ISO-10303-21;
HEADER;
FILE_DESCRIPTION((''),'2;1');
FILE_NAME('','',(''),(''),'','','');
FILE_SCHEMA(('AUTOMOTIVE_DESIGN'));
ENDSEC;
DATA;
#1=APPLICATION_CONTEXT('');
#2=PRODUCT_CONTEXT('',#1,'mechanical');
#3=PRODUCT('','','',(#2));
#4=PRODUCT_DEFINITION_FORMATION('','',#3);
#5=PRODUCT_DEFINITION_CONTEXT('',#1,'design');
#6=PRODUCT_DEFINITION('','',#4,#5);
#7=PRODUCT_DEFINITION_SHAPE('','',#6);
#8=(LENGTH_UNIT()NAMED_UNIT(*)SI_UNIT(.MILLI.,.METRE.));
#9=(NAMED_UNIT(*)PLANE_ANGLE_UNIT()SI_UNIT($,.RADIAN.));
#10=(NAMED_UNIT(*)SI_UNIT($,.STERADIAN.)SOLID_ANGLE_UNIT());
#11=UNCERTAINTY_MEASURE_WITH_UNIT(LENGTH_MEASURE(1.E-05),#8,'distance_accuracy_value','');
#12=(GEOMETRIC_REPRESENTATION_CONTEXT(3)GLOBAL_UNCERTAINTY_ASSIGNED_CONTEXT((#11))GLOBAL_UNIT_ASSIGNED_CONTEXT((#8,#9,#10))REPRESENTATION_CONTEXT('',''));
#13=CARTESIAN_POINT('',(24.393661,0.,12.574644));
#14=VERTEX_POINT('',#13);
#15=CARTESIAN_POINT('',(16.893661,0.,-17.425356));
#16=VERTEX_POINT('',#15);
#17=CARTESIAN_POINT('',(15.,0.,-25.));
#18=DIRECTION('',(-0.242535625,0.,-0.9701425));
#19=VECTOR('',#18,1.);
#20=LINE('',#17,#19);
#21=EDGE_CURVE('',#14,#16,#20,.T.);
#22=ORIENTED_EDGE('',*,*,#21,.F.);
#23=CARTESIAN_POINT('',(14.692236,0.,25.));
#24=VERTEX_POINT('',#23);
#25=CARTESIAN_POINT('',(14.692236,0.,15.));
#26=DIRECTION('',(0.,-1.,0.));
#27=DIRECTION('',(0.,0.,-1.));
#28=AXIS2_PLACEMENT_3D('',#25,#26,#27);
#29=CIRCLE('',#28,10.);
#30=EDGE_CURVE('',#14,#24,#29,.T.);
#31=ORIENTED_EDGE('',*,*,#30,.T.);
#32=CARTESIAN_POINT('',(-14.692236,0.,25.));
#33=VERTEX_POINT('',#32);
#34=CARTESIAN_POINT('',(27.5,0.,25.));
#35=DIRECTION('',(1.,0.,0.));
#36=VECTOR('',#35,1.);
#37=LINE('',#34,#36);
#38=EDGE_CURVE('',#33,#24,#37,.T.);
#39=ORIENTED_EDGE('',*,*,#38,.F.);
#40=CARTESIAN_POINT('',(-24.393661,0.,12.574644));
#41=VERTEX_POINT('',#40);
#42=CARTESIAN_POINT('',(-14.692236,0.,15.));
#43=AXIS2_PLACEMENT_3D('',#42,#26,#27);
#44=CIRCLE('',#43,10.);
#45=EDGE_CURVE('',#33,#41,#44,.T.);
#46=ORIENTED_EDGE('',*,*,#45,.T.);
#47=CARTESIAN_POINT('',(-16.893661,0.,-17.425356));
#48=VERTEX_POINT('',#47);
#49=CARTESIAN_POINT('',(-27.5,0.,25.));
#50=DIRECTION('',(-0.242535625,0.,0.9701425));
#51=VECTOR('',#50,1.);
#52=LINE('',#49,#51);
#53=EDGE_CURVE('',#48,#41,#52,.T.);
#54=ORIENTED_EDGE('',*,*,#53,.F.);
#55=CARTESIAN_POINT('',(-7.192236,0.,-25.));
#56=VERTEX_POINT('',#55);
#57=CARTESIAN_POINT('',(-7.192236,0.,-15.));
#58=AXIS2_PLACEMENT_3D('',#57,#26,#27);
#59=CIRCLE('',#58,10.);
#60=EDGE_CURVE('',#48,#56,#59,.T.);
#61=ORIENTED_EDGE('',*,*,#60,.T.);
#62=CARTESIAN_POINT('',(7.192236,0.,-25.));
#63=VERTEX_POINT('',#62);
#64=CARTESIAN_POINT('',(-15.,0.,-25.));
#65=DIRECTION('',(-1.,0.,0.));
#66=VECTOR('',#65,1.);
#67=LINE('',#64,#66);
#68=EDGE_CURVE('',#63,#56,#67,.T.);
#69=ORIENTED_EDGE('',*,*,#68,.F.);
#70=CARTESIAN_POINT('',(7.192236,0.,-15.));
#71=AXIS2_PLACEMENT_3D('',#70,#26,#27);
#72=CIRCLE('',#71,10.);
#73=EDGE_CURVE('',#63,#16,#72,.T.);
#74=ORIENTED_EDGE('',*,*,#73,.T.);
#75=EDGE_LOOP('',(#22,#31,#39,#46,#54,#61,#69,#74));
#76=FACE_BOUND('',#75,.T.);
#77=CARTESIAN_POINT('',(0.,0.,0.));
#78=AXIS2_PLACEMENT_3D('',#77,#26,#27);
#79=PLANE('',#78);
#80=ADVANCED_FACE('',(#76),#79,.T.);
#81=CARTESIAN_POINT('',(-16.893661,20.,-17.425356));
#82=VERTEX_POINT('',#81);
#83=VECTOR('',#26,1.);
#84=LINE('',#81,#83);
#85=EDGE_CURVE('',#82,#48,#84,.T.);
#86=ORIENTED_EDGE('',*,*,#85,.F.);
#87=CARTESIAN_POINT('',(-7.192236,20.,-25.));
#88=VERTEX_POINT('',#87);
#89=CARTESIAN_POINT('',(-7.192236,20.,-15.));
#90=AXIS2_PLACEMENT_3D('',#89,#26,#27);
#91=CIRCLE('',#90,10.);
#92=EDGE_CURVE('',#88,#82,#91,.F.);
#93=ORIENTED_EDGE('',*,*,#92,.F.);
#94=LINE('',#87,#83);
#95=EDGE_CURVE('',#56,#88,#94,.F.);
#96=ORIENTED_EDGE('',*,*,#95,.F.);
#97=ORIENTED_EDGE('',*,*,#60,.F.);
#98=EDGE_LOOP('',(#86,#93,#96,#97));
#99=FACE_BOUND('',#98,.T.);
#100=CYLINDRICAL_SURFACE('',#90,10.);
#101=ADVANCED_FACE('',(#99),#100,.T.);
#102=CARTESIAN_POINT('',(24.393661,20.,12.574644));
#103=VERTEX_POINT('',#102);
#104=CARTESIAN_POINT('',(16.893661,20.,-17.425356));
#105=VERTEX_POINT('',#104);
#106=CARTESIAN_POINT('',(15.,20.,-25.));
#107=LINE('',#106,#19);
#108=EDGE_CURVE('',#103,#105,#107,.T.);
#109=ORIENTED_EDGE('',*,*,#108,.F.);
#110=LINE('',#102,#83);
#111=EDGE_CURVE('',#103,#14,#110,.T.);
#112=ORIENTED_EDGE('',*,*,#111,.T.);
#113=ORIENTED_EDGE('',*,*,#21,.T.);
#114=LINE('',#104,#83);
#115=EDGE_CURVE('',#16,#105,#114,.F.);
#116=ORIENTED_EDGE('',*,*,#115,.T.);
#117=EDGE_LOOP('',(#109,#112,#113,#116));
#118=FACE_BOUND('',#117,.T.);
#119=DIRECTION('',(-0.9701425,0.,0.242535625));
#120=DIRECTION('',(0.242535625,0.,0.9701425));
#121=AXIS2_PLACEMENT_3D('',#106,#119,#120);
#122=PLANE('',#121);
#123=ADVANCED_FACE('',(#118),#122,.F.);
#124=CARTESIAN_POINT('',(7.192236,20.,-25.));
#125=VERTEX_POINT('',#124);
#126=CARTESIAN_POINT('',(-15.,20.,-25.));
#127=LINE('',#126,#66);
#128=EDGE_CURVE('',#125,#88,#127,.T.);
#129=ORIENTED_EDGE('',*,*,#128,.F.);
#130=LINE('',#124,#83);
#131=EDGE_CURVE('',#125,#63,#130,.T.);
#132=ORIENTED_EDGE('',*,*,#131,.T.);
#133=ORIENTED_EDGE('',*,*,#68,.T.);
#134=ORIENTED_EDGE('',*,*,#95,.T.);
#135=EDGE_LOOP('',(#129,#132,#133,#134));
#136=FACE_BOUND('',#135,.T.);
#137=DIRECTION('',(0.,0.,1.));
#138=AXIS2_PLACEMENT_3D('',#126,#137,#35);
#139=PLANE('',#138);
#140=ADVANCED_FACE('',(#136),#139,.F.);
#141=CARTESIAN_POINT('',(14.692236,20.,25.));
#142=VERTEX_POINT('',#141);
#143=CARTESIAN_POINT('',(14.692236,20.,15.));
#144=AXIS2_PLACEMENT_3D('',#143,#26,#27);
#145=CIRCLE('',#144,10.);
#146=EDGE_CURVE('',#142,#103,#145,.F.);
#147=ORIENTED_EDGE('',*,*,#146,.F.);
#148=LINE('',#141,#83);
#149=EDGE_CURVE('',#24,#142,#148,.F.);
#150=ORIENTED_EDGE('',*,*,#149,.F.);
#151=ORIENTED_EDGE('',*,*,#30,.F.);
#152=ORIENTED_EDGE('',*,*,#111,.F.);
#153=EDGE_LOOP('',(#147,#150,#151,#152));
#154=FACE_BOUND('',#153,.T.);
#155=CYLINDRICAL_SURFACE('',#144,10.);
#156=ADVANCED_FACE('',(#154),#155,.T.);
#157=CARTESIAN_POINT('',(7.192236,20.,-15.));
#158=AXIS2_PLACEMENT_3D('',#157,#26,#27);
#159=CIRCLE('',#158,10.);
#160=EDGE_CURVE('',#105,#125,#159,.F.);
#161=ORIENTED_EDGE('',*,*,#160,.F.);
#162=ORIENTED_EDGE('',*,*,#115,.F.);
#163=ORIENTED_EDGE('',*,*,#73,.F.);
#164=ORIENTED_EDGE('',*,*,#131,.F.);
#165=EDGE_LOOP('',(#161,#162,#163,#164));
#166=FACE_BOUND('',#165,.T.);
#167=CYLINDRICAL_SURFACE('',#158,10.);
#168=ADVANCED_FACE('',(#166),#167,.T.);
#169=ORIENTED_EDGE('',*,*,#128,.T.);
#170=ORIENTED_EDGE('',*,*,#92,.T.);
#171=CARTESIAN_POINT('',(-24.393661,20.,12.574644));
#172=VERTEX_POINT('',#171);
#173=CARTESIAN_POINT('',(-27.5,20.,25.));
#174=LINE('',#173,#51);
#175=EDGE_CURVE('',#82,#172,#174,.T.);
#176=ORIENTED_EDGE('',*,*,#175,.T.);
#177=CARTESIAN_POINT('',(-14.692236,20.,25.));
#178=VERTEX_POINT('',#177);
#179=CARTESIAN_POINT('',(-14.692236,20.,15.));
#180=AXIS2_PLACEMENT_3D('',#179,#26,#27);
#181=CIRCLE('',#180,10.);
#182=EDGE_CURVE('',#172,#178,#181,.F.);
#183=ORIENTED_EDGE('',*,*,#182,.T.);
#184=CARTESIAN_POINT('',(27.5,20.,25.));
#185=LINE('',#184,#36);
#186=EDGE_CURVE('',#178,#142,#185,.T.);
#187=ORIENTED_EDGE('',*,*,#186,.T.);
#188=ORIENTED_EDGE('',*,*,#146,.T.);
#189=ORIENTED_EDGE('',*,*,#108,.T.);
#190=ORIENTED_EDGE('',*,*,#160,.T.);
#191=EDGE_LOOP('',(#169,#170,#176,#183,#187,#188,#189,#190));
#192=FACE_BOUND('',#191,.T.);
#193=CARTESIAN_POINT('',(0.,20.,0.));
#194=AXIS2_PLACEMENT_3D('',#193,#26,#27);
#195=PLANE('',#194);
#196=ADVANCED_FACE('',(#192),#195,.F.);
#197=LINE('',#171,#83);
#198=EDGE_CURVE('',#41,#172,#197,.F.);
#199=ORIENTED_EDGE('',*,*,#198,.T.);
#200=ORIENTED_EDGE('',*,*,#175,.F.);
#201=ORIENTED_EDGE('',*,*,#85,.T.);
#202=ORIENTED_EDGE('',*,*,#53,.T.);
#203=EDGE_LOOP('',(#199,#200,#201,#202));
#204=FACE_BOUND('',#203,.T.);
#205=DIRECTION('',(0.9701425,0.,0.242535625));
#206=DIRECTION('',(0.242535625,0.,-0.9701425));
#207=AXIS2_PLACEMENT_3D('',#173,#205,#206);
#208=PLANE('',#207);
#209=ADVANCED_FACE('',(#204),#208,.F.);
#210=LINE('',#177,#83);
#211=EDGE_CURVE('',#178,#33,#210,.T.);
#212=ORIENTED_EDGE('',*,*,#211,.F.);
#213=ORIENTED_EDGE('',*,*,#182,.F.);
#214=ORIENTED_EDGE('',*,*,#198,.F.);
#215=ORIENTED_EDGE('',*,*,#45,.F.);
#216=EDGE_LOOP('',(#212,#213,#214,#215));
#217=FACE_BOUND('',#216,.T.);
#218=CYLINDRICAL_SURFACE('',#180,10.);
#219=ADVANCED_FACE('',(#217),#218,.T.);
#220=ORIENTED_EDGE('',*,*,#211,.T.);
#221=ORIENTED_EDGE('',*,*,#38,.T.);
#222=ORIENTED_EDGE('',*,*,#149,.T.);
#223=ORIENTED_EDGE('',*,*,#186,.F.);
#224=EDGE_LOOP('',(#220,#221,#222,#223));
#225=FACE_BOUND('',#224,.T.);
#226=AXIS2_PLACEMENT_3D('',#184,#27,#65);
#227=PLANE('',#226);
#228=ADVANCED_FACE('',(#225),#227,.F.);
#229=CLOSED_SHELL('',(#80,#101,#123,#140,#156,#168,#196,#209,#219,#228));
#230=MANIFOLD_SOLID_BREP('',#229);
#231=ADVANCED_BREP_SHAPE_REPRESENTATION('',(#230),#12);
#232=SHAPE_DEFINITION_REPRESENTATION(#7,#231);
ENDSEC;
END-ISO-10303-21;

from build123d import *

# Parameters (mm, degrees)
FSHAPE1_DEPTH = 20
FRSHAPE1_R    = 10


with BuildPart() as part:
    # SShape1 → FShape1 (new body)
    with BuildSketch(Plane(origin=(0, 0, 0), x_dir=(1, 0, 0), z_dir=(0, 1, 0))):
        Polygon((-15, 25), (15, 25), (27.5, -25), (-27.5, -25), align=None)
    extrude(amount=FSHAPE1_DEPTH)

    # FRShape1
    frshape1_edges = [part.edges().sort_by_distance(p)[0] for p in [
        (-15, 10, -25),
        (15, 10, -25),
        (27.5, 10, 25),
        (-27.5, 10, 25),
    ]]
    fillet(frshape1_edges, radius=FRSHAPE1_R)


solid = part.part
